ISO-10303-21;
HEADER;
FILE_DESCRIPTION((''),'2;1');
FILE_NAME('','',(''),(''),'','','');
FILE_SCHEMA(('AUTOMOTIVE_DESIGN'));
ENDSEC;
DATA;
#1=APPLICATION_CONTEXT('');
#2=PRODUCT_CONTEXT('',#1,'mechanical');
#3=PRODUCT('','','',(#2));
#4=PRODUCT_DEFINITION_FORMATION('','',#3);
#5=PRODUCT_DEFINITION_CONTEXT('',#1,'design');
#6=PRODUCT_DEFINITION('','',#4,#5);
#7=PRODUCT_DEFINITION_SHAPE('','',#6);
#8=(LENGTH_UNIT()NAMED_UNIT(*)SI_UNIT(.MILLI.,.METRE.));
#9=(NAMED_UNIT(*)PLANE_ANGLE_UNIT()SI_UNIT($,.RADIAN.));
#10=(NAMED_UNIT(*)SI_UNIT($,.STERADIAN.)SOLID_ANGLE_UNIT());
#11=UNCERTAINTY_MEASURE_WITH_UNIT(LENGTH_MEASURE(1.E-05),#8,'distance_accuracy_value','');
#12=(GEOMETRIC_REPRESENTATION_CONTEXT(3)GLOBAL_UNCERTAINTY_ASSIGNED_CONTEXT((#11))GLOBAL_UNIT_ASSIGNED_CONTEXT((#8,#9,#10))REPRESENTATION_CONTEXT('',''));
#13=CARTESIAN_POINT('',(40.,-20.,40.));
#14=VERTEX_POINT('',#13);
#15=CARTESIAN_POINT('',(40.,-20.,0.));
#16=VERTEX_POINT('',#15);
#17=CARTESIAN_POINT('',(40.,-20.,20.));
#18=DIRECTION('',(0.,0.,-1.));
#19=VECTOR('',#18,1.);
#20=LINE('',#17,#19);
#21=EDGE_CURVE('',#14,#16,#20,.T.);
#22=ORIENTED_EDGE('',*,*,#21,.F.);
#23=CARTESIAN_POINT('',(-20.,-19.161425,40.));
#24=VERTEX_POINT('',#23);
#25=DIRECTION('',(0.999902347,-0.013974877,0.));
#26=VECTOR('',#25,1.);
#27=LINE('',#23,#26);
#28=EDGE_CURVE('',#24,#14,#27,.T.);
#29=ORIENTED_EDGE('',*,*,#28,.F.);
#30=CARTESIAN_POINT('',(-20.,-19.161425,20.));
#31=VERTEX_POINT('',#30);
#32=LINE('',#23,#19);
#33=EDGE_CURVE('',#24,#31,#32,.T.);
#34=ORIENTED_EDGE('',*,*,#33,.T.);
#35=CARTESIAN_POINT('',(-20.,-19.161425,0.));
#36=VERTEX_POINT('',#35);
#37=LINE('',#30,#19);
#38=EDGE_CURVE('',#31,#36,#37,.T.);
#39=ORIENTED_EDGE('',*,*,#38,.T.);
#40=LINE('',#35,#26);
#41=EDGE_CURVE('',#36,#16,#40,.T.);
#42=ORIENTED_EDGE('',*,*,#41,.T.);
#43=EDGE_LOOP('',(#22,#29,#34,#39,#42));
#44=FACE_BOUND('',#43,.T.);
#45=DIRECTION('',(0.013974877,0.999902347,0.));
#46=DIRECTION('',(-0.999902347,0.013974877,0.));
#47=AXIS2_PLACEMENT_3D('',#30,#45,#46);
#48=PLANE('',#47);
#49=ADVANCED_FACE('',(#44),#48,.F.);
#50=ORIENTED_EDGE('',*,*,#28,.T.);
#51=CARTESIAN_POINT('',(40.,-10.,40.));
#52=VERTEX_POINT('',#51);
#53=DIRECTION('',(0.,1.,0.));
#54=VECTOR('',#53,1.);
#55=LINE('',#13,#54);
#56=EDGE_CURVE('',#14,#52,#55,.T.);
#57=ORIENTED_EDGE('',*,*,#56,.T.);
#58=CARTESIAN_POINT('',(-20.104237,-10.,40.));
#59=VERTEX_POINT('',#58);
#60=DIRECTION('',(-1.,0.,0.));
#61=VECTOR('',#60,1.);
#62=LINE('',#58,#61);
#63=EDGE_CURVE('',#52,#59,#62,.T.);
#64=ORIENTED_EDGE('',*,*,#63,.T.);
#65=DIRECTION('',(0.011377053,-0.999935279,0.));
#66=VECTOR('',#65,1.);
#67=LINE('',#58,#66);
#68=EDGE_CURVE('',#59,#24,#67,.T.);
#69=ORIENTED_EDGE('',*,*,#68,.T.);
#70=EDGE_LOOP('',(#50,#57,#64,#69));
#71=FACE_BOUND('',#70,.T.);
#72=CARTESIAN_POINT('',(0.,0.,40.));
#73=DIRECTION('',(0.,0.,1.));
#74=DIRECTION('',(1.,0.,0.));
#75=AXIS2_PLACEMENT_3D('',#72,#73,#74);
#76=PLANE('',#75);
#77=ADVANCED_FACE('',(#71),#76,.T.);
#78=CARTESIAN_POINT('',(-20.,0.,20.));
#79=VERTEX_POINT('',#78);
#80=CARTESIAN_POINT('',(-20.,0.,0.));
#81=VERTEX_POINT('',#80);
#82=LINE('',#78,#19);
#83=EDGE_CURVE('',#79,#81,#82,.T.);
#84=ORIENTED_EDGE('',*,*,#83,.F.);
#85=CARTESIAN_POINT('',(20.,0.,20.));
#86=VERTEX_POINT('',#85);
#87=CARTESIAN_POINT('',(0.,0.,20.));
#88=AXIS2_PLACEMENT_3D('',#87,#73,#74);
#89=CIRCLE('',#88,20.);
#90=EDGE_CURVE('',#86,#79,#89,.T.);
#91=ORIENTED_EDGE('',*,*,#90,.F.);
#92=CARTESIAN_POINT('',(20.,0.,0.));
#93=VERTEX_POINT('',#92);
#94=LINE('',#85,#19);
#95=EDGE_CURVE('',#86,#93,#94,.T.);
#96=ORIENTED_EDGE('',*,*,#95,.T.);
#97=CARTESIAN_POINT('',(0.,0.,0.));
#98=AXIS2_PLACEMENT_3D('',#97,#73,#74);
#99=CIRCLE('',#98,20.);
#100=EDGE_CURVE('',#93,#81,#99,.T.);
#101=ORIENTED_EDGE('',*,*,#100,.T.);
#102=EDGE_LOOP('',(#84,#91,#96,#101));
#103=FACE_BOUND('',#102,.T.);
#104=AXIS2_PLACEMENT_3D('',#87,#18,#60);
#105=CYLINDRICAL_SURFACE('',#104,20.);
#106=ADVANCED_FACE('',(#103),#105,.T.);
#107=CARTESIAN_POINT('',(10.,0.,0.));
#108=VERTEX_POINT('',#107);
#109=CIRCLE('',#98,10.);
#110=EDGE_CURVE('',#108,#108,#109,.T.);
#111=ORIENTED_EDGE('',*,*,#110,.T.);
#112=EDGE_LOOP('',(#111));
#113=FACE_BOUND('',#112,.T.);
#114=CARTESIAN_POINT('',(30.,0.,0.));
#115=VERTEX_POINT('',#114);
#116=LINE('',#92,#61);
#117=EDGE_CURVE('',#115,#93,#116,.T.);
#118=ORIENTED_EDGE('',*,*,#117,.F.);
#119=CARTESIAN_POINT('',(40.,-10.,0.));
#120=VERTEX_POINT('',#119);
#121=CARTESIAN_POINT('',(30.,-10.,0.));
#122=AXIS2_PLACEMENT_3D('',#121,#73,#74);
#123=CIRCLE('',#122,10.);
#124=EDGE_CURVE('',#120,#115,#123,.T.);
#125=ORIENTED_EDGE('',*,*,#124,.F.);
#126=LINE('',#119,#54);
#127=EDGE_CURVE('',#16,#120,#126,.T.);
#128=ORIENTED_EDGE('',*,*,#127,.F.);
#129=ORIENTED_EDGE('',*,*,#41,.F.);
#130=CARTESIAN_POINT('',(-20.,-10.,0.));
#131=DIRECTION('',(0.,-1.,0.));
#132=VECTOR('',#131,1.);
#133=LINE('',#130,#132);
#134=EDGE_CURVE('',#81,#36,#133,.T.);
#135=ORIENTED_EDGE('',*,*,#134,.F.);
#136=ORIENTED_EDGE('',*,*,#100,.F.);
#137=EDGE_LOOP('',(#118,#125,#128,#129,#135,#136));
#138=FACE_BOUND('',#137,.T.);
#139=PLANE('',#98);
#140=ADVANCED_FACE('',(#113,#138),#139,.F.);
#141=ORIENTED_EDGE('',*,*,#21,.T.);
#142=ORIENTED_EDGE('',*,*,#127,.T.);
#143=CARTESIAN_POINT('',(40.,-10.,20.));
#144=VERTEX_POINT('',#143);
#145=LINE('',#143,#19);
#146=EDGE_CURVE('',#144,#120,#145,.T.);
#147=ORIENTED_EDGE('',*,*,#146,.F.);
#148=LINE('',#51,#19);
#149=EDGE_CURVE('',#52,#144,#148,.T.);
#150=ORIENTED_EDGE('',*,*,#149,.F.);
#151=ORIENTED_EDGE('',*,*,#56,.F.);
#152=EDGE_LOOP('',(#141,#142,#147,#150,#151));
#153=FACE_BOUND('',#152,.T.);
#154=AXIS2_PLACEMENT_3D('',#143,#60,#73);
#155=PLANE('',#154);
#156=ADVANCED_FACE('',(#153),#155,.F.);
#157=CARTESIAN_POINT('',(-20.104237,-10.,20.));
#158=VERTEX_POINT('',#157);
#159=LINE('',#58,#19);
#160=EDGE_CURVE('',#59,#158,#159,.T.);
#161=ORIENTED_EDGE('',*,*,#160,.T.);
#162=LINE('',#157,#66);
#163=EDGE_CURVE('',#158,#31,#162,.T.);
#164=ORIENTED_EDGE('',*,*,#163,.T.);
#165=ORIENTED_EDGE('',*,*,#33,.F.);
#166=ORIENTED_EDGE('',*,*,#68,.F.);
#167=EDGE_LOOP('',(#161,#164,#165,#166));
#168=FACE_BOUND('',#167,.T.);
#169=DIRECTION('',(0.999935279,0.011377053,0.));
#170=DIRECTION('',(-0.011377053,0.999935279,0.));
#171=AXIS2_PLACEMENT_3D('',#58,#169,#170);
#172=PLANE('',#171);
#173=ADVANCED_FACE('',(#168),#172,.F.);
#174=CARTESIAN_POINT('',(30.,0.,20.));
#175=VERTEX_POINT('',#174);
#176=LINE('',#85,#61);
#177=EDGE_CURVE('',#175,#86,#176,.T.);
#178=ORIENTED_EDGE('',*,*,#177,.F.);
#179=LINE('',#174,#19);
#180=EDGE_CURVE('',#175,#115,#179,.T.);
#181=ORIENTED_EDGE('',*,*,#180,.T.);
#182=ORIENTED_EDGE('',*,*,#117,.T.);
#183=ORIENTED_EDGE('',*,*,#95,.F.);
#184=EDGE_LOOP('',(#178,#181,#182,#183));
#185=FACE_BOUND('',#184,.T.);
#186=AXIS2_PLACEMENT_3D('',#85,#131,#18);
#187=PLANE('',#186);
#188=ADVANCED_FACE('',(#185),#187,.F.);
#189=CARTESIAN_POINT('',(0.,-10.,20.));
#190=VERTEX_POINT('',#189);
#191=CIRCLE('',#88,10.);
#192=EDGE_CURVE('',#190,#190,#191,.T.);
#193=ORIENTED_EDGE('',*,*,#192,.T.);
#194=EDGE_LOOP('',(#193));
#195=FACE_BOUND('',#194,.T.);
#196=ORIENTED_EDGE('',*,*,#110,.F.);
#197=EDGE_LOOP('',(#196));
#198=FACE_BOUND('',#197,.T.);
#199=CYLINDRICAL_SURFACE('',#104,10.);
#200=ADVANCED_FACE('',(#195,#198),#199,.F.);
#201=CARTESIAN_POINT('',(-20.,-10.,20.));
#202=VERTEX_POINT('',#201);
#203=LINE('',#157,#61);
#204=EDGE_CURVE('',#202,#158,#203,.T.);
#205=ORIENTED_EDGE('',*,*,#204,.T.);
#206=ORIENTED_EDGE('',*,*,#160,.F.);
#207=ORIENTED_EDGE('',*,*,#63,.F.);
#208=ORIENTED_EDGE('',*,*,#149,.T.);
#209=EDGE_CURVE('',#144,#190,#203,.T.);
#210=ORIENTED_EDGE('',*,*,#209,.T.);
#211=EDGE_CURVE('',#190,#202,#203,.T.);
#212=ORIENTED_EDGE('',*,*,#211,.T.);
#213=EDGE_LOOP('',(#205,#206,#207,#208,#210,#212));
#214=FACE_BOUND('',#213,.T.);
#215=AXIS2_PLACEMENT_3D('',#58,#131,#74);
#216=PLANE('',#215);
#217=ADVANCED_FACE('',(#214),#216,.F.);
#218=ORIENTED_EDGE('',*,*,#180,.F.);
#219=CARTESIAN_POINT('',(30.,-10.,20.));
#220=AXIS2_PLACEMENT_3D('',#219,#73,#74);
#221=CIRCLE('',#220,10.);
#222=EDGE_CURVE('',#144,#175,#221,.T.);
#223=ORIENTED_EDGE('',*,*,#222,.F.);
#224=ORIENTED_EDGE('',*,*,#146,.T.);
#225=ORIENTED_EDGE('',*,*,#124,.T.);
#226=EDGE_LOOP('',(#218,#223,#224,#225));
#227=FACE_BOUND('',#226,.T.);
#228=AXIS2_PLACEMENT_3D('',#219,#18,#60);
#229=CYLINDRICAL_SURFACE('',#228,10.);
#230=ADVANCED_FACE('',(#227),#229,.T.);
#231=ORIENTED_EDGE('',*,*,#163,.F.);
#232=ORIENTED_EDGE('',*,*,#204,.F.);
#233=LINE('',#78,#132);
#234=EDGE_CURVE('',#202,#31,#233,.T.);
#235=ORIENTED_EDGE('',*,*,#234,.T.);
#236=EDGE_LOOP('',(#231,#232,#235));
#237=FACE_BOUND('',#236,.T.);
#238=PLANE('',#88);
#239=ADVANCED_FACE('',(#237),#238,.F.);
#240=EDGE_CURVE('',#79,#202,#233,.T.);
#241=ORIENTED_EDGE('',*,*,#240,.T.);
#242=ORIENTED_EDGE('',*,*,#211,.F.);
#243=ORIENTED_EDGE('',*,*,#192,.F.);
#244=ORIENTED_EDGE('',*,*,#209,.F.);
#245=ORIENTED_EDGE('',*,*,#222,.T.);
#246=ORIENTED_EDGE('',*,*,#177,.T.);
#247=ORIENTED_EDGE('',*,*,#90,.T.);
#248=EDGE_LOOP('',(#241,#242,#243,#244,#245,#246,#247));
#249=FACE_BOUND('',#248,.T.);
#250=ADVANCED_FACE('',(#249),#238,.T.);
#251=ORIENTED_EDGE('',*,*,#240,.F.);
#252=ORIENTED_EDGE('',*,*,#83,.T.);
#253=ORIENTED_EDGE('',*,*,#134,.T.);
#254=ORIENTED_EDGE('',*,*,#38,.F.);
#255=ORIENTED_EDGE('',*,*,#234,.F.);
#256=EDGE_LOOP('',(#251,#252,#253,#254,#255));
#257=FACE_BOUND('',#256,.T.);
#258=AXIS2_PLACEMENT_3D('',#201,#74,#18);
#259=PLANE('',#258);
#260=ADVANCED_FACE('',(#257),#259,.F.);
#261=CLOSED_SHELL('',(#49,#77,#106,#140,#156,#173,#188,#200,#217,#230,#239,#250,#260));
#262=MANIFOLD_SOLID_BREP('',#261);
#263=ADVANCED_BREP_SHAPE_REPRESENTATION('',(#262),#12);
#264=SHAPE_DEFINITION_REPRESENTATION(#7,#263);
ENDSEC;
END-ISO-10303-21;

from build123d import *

# Parameters (mm, degrees)
SKETCH1_R           = 10
BOSS_EXTRUDE1_DEPTH = 20
BOSS_EXTRUDE2_DEPTH = 20


with BuildPart() as part:
    # Sketch1 → Boss-Extrude1 (new body)
    with BuildSketch(Plane.XY):
        with BuildLine():
            Line((-20, 0), (-20, -10))
            Line((-20, -10), (-20, -19.161425494))
            Line((-20, -19.161425494), (40, -20))
            Line((40, -20), (40, -10))
            ThreePointArc((40, -10), (37.071067812, -2.928932188), (30, 0))
            Line((30, 0), (20, 0))
            ThreePointArc((20, 0), (0, 20), (-20, 0))
        make_face()
        Circle(SKETCH1_R, mode=Mode.SUBTRACT)
    extrude(amount=BOSS_EXTRUDE1_DEPTH)

    # Sketch3 → Boss-Extrude2 (add)
    with BuildSketch(Plane.XY.offset(20)):
        Polygon((-20.104236771, -10), (40, -10), (40, -20), (-20, -19.161425494), align=None)
    extrude(amount=BOSS_EXTRUDE2_DEPTH)


solid = part.part
